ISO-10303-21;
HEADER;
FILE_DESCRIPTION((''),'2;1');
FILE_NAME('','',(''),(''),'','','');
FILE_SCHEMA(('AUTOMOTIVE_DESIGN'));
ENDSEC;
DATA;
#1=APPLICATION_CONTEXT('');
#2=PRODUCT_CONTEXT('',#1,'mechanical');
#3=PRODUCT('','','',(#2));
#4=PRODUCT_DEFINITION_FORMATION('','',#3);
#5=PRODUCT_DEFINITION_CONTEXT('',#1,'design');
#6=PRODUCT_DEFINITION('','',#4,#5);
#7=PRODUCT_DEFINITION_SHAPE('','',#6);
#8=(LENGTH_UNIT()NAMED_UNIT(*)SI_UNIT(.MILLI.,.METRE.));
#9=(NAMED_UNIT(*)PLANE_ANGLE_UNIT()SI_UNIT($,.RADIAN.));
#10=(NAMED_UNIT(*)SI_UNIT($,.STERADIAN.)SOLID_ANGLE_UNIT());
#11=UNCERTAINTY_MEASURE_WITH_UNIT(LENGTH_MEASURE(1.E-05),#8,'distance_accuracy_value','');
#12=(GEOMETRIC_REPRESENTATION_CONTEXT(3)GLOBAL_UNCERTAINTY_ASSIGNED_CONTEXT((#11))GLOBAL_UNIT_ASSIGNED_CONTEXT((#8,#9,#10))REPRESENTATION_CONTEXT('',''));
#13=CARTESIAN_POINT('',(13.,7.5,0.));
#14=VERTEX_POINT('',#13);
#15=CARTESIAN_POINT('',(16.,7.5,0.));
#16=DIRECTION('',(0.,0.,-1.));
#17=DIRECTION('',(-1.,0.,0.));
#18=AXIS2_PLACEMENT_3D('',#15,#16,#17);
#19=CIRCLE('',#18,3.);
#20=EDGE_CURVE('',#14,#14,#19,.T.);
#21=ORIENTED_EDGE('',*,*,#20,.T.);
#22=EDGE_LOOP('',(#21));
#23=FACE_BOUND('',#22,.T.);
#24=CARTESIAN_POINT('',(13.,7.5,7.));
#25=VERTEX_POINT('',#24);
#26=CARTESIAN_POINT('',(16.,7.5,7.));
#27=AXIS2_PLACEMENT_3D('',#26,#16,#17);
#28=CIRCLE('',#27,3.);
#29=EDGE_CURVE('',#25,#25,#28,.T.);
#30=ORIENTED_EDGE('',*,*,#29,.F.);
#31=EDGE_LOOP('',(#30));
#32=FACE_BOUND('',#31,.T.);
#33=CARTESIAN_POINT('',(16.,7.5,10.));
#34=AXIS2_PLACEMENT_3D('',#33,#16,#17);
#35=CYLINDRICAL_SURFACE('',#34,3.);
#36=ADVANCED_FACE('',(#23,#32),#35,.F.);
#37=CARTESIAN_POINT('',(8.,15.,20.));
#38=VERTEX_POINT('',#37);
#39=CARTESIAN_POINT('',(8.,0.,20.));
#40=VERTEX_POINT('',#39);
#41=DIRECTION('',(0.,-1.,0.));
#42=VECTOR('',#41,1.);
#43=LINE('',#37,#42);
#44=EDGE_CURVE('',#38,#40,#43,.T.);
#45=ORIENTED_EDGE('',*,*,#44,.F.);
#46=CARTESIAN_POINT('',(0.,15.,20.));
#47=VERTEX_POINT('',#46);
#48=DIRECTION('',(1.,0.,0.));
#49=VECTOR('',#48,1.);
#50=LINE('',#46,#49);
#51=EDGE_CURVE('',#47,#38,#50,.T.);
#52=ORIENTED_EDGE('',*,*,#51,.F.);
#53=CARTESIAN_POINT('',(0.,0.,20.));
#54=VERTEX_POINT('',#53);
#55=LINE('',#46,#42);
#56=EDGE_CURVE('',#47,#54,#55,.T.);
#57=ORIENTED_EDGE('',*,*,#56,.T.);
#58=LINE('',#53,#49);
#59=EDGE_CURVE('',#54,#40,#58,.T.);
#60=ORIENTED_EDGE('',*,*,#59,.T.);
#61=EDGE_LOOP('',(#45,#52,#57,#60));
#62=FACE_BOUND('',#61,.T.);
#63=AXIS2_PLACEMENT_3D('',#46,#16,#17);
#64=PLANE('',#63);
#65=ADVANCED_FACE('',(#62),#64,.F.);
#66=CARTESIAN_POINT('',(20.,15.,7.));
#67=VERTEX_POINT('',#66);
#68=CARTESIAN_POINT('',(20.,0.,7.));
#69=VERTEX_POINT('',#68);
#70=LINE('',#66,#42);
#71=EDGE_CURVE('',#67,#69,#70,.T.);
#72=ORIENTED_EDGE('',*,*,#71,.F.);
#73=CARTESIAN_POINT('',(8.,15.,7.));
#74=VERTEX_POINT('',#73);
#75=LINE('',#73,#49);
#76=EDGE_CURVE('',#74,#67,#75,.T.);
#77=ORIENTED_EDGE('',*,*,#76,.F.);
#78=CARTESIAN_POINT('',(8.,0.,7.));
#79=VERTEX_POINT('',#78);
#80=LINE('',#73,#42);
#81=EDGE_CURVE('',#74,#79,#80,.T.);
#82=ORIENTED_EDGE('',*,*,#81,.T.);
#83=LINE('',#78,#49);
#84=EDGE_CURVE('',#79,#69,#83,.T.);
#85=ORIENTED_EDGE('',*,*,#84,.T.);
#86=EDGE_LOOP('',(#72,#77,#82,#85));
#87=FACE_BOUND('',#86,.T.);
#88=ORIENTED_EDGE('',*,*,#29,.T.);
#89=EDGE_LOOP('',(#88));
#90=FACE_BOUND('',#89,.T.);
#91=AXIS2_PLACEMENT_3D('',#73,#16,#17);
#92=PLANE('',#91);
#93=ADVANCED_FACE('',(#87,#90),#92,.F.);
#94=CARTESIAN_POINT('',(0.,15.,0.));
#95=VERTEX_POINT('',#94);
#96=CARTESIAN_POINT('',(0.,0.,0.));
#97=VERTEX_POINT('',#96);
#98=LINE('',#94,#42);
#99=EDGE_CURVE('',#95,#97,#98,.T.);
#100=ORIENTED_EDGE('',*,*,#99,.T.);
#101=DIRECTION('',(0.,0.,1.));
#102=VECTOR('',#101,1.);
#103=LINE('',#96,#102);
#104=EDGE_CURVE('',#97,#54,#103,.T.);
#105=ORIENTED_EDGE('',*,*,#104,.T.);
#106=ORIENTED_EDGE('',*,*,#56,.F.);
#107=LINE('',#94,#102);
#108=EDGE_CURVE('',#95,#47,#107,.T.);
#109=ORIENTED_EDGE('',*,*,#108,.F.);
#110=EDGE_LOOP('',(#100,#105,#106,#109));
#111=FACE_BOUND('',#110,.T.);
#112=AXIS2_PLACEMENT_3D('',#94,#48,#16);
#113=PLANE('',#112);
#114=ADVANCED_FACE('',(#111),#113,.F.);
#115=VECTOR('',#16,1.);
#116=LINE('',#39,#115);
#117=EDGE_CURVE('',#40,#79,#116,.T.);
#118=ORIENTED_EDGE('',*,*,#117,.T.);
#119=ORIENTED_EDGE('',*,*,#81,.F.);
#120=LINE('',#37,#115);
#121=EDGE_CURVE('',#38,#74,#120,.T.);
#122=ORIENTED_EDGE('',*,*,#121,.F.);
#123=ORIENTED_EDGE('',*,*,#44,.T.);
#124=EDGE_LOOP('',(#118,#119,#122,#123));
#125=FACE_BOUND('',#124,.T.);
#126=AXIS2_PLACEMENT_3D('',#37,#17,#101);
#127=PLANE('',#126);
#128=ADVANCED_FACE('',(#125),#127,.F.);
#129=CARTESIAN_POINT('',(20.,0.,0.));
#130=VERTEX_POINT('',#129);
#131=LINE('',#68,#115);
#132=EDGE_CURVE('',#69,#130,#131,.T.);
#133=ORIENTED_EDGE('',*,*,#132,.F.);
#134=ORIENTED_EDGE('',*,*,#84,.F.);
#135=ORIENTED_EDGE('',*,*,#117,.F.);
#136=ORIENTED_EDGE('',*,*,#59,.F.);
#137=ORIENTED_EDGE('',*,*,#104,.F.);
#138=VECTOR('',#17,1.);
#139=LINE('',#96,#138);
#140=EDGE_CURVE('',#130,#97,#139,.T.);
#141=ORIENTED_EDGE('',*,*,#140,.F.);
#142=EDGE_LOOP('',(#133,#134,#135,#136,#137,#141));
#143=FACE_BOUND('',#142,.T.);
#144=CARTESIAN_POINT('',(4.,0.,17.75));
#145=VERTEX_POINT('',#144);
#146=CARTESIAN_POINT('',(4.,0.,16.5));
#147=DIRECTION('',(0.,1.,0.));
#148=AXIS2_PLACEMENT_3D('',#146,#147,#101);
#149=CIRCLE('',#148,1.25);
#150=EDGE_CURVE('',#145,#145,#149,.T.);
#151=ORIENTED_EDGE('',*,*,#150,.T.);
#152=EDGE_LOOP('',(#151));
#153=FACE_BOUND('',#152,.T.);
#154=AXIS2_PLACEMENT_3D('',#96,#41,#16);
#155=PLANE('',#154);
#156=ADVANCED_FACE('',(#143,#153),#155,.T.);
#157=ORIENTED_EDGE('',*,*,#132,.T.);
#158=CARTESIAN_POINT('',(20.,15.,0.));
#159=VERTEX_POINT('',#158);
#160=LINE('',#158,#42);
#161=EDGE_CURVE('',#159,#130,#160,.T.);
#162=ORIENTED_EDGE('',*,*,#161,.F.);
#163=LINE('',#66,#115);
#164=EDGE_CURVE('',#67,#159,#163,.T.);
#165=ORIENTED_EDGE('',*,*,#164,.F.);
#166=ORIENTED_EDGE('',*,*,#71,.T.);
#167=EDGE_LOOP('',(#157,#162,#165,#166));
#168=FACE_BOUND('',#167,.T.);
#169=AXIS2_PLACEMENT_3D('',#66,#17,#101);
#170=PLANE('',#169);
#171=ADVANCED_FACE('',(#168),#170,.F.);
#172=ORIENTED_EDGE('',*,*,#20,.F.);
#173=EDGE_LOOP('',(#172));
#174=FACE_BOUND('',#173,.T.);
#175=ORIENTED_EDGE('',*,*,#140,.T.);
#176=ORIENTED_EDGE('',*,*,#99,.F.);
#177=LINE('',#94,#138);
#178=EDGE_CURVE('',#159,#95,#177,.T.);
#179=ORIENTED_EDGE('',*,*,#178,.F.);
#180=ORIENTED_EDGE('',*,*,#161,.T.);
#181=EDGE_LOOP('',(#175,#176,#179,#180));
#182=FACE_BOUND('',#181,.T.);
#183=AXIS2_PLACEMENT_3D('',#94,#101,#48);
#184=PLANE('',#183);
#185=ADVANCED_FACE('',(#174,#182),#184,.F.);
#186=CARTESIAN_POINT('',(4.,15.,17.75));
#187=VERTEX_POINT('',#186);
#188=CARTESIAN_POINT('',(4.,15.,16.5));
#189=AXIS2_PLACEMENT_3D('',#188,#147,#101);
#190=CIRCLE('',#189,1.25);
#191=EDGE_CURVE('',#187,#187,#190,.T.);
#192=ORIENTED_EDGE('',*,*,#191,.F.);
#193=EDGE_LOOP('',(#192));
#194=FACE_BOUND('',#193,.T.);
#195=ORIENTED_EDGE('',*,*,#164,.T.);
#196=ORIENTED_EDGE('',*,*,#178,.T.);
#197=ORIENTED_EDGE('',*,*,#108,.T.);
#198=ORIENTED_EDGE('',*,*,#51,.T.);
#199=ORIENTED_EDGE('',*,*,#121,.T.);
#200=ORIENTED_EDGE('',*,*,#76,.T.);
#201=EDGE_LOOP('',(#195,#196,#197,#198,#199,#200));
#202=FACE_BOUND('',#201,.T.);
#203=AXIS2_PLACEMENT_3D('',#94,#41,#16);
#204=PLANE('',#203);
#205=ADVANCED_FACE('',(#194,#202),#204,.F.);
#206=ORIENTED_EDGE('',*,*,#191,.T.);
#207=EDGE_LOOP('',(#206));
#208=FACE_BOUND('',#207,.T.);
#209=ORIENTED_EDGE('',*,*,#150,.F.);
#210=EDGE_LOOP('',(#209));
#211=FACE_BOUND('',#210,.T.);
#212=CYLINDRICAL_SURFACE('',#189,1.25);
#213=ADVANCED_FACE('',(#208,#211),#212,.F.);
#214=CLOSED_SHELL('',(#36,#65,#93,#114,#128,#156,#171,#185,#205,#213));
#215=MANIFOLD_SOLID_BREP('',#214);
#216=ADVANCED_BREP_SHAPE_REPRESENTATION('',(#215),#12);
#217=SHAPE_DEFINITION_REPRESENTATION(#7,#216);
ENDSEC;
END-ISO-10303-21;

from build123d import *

# Parameters (mm, degrees)
ESTRUSIONE_ESTRUSIONE1_DEPTH = 15
SCHIZZO6_R                   = 3
TAGLIO_ESTRUSIONE1_DEPTH     = 10
FORO_FILETTATO_M3_1_D        = 2.5


with BuildPart() as part:
    # Schizzo1 → Estrusione-Estrusione1 (new body)
    with BuildSketch(Plane(origin=(0, 0, 0), x_dir=(1, 0, 0), z_dir=(0, 1, 0))):
        Polygon((8, -7), (20, -7), (20, 0), (0, 0), (0, -20), (8, -20), align=None)
    extrude(amount=ESTRUSIONE_ESTRUSIONE1_DEPTH)

    # Schizzo6 → Taglio-Estrusione1 (cut)
    with BuildSketch(Plane(origin=(0, 0, 0), x_dir=(-1, 0, 0), z_dir=(0, 0, -1))):
        with Locations((-16, 7.5)):
            Circle(SCHIZZO6_R)
    extrude(amount=-TAGLIO_ESTRUSIONE1_DEPTH, mode=Mode.SUBTRACT)

    # Foro filettato M3-1 (through all)
    with Locations(Plane(origin=(4, 15, 16.5), x_dir=(0, 0, 1), z_dir=(0, 1, 0))):
        with Locations((0, 0)):
            Hole(FORO_FILETTATO_M3_1_D / 2)


solid = part.part
